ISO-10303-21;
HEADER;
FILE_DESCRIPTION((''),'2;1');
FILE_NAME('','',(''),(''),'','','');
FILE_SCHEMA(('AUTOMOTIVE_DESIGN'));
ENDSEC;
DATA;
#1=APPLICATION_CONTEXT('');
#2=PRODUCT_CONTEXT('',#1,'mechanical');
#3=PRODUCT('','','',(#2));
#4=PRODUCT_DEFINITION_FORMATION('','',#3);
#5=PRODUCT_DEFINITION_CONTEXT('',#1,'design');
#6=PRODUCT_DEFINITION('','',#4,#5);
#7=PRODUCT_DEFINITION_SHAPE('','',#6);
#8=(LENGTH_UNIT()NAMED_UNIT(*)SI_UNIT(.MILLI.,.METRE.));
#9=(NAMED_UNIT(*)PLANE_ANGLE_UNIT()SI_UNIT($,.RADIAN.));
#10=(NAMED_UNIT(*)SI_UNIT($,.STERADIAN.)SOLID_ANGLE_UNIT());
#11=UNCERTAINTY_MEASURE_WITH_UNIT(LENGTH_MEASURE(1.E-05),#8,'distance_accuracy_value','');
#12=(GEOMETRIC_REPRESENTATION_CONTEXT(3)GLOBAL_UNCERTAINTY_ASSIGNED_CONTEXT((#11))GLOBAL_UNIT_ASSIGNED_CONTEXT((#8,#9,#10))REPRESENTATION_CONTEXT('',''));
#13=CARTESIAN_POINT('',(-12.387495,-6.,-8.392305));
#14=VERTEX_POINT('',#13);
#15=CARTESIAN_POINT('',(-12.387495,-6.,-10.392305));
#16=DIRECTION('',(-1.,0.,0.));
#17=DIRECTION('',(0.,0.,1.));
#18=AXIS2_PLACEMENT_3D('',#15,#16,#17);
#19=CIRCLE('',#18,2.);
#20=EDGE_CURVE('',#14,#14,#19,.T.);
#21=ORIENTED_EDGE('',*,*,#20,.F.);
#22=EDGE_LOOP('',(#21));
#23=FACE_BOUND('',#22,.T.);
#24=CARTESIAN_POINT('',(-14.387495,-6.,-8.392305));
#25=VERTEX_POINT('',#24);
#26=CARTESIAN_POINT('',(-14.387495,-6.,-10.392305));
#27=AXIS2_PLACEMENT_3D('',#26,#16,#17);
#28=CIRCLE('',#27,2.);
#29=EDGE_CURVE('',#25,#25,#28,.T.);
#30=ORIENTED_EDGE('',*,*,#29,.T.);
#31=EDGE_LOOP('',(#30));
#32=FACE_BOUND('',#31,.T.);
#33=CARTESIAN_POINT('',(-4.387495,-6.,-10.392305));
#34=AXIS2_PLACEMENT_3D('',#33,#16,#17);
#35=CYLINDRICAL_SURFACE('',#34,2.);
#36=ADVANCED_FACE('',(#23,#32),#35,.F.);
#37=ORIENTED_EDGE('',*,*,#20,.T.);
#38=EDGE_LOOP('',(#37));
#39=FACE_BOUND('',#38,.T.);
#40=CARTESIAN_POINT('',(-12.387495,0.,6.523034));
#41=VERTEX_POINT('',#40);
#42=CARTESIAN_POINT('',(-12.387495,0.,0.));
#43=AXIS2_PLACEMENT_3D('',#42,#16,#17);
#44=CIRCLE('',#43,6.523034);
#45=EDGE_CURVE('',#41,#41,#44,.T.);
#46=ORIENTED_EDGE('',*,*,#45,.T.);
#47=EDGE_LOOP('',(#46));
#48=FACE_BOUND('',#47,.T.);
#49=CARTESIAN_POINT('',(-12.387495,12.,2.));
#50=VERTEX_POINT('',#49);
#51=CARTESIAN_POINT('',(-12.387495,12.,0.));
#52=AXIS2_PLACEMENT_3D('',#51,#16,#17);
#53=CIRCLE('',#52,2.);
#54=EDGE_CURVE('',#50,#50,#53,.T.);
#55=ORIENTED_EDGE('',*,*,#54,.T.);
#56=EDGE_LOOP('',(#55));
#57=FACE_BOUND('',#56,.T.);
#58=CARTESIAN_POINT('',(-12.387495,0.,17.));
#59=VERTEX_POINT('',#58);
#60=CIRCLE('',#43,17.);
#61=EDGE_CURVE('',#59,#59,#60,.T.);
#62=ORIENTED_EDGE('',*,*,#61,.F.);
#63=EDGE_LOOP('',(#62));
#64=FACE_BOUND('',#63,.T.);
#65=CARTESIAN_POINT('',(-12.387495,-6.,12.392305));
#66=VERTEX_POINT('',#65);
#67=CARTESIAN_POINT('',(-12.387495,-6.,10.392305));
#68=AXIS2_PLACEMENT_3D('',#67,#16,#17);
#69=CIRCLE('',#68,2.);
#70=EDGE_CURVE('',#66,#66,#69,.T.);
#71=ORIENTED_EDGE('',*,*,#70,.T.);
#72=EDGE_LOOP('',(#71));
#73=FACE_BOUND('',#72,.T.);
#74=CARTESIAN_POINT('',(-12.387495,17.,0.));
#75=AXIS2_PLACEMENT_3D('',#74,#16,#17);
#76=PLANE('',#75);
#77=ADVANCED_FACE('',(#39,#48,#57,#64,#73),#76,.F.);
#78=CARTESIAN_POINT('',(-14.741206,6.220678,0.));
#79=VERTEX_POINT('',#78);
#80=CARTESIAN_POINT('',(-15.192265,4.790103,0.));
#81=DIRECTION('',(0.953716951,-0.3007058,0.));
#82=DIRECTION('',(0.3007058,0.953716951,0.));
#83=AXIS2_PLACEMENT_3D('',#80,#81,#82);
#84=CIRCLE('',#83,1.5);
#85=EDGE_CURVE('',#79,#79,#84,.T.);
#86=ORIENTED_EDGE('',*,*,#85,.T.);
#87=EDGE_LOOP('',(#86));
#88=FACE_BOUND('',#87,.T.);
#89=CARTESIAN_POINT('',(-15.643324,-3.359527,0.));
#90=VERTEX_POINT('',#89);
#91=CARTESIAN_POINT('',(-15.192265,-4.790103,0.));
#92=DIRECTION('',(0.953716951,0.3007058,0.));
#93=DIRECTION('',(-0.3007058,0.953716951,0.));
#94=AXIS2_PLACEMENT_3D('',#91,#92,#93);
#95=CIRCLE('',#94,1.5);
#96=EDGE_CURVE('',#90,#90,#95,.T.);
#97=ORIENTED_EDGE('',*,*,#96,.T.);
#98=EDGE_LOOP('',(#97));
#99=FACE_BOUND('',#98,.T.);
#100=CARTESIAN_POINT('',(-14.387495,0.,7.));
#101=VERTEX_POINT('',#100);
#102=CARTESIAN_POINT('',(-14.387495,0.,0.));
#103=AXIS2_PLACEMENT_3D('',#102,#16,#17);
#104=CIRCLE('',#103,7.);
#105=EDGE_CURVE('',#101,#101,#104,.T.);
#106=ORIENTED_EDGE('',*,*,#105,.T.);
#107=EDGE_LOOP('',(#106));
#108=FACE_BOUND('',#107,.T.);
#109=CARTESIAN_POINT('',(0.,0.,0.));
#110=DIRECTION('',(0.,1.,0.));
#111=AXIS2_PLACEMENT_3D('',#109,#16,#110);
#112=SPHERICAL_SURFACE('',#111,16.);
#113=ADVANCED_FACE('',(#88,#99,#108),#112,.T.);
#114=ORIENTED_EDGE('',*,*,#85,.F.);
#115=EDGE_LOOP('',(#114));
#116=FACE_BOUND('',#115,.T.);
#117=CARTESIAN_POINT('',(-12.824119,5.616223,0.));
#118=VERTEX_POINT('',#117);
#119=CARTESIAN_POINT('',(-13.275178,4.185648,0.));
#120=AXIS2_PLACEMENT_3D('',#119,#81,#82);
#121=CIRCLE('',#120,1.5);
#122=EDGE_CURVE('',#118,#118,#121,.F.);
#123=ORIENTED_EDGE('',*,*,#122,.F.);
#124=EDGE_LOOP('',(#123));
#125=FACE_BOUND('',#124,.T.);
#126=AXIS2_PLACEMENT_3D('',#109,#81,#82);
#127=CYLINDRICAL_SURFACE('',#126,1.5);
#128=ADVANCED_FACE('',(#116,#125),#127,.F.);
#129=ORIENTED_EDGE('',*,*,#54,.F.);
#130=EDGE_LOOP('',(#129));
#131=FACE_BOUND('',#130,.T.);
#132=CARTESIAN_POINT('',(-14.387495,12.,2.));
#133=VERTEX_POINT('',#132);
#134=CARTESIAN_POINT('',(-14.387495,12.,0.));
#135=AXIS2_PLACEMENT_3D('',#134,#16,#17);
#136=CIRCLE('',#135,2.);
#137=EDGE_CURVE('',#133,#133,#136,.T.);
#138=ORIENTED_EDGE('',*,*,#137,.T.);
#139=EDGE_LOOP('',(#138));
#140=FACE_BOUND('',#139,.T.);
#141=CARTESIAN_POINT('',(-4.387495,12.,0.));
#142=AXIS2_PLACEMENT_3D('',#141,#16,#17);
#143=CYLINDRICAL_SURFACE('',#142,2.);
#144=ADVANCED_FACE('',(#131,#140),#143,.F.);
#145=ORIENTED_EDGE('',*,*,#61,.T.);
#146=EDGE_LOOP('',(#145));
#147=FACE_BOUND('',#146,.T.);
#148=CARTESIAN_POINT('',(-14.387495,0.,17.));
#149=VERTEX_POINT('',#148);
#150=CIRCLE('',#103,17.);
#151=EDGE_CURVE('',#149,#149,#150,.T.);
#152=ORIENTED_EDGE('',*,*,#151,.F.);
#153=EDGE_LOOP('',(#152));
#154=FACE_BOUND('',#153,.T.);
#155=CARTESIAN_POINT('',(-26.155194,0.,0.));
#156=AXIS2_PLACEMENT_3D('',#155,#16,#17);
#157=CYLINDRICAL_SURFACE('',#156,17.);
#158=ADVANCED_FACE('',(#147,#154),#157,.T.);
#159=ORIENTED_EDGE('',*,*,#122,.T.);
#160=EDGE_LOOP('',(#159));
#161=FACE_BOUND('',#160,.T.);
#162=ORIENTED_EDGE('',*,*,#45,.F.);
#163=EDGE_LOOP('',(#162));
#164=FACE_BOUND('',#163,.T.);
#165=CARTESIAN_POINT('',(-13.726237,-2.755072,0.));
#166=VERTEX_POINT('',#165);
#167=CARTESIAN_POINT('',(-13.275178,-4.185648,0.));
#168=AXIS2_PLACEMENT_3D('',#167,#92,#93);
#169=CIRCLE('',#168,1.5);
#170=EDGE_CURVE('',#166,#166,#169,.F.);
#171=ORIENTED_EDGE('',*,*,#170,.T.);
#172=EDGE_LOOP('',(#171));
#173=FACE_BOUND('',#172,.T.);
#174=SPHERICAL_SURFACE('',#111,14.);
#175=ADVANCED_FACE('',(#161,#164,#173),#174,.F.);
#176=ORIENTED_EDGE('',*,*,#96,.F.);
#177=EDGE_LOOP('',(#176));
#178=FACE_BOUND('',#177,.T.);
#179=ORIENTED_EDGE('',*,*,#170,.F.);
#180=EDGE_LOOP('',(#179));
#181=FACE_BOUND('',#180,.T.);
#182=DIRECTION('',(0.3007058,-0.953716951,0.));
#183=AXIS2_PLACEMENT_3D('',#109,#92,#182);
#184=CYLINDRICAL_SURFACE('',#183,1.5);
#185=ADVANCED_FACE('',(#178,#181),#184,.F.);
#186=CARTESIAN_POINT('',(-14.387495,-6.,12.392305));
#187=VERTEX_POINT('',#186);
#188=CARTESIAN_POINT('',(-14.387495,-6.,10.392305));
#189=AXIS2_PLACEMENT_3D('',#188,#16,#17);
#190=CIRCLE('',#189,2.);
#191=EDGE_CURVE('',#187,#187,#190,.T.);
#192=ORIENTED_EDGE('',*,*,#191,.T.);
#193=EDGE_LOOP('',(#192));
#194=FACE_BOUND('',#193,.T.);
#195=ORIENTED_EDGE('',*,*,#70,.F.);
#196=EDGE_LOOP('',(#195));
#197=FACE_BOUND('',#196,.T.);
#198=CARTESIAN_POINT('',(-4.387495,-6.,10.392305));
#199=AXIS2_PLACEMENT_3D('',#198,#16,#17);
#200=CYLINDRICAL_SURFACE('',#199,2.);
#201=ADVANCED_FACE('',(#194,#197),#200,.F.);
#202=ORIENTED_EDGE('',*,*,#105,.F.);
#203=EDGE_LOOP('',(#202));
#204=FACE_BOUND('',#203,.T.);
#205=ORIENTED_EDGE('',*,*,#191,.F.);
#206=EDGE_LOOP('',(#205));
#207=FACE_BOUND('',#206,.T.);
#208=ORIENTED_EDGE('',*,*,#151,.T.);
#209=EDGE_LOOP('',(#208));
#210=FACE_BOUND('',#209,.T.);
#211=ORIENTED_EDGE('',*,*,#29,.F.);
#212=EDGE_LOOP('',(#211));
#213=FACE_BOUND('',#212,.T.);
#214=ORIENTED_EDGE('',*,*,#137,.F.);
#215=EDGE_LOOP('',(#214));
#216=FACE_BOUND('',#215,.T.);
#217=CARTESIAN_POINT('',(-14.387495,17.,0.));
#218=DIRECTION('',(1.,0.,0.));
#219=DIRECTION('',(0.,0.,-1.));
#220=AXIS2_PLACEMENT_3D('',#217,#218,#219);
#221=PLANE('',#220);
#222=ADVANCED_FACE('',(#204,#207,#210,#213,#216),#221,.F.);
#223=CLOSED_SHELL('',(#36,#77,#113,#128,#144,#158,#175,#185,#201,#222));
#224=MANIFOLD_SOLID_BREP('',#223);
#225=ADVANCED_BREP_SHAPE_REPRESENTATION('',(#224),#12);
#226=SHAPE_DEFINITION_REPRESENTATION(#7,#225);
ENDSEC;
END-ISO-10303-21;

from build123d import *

# Parameters (mm, degrees)
SKETCH_3_R          = 2
CUT_EXTRUDE_1_DEPTH = 10


with BuildPart() as part:
    # 草图1 → 旋转3 (revolve)
    with BuildSketch(Plane.XY):
        with BuildLine():
            Line((-14.38749457, 17), (-12.38749457, 17))
            Line((-12.38749457, 17), (-12.38749457, 6.523034438))
            ThreePointArc((-12.38749457, 6.523034438), (-13.590896291, 3.359693142), (-14, 0))
            Line((-14, 0), (-16, 0))
            ThreePointArc((-16, 0), (-15.591663047, 3.591663047), (-14.38749457, 7))
            Line((-14.38749457, 7), (-14.38749457, 17))
        make_face()
    revolve(axis=Axis((-26.155193714, 0, 0), (1, 0, 0)))

    # 草图2 → 切除-旋转1 (revolve, cut)
    with BuildSketch(Plane.XY):
        Polygon((-10.99354471, 5.03904502), (-18.623280316, 7.444691416), (-19.074339015, 6.01411599), (-11.444603409, 3.608469594), align=None)
    cut_revolve_1 = revolve(axis=Axis((0, 0, 0), (-0.9537169507482267, 0.30070579950427373, 0)), mode=Mode.SUBTRACT)

    # 镜向1: 切除-旋转1 across plane
    add(cut_revolve_1.mirror(Plane.ZX), mode=Mode.SUBTRACT)

    # 草图3 → 切除-拉伸1 (cut)
    with BuildSketch(Plane.ZY.offset(14.38749457)):
        with Locations((0, 12)):
            Circle(SKETCH_3_R)
        with Locations((10.392304845, -6)):
            Circle(SKETCH_3_R)
        with Locations((-10.392304845, -6)):
            Circle(SKETCH_3_R)
    extrude(amount=-CUT_EXTRUDE_1_DEPTH, mode=Mode.SUBTRACT)


solid = part.part
